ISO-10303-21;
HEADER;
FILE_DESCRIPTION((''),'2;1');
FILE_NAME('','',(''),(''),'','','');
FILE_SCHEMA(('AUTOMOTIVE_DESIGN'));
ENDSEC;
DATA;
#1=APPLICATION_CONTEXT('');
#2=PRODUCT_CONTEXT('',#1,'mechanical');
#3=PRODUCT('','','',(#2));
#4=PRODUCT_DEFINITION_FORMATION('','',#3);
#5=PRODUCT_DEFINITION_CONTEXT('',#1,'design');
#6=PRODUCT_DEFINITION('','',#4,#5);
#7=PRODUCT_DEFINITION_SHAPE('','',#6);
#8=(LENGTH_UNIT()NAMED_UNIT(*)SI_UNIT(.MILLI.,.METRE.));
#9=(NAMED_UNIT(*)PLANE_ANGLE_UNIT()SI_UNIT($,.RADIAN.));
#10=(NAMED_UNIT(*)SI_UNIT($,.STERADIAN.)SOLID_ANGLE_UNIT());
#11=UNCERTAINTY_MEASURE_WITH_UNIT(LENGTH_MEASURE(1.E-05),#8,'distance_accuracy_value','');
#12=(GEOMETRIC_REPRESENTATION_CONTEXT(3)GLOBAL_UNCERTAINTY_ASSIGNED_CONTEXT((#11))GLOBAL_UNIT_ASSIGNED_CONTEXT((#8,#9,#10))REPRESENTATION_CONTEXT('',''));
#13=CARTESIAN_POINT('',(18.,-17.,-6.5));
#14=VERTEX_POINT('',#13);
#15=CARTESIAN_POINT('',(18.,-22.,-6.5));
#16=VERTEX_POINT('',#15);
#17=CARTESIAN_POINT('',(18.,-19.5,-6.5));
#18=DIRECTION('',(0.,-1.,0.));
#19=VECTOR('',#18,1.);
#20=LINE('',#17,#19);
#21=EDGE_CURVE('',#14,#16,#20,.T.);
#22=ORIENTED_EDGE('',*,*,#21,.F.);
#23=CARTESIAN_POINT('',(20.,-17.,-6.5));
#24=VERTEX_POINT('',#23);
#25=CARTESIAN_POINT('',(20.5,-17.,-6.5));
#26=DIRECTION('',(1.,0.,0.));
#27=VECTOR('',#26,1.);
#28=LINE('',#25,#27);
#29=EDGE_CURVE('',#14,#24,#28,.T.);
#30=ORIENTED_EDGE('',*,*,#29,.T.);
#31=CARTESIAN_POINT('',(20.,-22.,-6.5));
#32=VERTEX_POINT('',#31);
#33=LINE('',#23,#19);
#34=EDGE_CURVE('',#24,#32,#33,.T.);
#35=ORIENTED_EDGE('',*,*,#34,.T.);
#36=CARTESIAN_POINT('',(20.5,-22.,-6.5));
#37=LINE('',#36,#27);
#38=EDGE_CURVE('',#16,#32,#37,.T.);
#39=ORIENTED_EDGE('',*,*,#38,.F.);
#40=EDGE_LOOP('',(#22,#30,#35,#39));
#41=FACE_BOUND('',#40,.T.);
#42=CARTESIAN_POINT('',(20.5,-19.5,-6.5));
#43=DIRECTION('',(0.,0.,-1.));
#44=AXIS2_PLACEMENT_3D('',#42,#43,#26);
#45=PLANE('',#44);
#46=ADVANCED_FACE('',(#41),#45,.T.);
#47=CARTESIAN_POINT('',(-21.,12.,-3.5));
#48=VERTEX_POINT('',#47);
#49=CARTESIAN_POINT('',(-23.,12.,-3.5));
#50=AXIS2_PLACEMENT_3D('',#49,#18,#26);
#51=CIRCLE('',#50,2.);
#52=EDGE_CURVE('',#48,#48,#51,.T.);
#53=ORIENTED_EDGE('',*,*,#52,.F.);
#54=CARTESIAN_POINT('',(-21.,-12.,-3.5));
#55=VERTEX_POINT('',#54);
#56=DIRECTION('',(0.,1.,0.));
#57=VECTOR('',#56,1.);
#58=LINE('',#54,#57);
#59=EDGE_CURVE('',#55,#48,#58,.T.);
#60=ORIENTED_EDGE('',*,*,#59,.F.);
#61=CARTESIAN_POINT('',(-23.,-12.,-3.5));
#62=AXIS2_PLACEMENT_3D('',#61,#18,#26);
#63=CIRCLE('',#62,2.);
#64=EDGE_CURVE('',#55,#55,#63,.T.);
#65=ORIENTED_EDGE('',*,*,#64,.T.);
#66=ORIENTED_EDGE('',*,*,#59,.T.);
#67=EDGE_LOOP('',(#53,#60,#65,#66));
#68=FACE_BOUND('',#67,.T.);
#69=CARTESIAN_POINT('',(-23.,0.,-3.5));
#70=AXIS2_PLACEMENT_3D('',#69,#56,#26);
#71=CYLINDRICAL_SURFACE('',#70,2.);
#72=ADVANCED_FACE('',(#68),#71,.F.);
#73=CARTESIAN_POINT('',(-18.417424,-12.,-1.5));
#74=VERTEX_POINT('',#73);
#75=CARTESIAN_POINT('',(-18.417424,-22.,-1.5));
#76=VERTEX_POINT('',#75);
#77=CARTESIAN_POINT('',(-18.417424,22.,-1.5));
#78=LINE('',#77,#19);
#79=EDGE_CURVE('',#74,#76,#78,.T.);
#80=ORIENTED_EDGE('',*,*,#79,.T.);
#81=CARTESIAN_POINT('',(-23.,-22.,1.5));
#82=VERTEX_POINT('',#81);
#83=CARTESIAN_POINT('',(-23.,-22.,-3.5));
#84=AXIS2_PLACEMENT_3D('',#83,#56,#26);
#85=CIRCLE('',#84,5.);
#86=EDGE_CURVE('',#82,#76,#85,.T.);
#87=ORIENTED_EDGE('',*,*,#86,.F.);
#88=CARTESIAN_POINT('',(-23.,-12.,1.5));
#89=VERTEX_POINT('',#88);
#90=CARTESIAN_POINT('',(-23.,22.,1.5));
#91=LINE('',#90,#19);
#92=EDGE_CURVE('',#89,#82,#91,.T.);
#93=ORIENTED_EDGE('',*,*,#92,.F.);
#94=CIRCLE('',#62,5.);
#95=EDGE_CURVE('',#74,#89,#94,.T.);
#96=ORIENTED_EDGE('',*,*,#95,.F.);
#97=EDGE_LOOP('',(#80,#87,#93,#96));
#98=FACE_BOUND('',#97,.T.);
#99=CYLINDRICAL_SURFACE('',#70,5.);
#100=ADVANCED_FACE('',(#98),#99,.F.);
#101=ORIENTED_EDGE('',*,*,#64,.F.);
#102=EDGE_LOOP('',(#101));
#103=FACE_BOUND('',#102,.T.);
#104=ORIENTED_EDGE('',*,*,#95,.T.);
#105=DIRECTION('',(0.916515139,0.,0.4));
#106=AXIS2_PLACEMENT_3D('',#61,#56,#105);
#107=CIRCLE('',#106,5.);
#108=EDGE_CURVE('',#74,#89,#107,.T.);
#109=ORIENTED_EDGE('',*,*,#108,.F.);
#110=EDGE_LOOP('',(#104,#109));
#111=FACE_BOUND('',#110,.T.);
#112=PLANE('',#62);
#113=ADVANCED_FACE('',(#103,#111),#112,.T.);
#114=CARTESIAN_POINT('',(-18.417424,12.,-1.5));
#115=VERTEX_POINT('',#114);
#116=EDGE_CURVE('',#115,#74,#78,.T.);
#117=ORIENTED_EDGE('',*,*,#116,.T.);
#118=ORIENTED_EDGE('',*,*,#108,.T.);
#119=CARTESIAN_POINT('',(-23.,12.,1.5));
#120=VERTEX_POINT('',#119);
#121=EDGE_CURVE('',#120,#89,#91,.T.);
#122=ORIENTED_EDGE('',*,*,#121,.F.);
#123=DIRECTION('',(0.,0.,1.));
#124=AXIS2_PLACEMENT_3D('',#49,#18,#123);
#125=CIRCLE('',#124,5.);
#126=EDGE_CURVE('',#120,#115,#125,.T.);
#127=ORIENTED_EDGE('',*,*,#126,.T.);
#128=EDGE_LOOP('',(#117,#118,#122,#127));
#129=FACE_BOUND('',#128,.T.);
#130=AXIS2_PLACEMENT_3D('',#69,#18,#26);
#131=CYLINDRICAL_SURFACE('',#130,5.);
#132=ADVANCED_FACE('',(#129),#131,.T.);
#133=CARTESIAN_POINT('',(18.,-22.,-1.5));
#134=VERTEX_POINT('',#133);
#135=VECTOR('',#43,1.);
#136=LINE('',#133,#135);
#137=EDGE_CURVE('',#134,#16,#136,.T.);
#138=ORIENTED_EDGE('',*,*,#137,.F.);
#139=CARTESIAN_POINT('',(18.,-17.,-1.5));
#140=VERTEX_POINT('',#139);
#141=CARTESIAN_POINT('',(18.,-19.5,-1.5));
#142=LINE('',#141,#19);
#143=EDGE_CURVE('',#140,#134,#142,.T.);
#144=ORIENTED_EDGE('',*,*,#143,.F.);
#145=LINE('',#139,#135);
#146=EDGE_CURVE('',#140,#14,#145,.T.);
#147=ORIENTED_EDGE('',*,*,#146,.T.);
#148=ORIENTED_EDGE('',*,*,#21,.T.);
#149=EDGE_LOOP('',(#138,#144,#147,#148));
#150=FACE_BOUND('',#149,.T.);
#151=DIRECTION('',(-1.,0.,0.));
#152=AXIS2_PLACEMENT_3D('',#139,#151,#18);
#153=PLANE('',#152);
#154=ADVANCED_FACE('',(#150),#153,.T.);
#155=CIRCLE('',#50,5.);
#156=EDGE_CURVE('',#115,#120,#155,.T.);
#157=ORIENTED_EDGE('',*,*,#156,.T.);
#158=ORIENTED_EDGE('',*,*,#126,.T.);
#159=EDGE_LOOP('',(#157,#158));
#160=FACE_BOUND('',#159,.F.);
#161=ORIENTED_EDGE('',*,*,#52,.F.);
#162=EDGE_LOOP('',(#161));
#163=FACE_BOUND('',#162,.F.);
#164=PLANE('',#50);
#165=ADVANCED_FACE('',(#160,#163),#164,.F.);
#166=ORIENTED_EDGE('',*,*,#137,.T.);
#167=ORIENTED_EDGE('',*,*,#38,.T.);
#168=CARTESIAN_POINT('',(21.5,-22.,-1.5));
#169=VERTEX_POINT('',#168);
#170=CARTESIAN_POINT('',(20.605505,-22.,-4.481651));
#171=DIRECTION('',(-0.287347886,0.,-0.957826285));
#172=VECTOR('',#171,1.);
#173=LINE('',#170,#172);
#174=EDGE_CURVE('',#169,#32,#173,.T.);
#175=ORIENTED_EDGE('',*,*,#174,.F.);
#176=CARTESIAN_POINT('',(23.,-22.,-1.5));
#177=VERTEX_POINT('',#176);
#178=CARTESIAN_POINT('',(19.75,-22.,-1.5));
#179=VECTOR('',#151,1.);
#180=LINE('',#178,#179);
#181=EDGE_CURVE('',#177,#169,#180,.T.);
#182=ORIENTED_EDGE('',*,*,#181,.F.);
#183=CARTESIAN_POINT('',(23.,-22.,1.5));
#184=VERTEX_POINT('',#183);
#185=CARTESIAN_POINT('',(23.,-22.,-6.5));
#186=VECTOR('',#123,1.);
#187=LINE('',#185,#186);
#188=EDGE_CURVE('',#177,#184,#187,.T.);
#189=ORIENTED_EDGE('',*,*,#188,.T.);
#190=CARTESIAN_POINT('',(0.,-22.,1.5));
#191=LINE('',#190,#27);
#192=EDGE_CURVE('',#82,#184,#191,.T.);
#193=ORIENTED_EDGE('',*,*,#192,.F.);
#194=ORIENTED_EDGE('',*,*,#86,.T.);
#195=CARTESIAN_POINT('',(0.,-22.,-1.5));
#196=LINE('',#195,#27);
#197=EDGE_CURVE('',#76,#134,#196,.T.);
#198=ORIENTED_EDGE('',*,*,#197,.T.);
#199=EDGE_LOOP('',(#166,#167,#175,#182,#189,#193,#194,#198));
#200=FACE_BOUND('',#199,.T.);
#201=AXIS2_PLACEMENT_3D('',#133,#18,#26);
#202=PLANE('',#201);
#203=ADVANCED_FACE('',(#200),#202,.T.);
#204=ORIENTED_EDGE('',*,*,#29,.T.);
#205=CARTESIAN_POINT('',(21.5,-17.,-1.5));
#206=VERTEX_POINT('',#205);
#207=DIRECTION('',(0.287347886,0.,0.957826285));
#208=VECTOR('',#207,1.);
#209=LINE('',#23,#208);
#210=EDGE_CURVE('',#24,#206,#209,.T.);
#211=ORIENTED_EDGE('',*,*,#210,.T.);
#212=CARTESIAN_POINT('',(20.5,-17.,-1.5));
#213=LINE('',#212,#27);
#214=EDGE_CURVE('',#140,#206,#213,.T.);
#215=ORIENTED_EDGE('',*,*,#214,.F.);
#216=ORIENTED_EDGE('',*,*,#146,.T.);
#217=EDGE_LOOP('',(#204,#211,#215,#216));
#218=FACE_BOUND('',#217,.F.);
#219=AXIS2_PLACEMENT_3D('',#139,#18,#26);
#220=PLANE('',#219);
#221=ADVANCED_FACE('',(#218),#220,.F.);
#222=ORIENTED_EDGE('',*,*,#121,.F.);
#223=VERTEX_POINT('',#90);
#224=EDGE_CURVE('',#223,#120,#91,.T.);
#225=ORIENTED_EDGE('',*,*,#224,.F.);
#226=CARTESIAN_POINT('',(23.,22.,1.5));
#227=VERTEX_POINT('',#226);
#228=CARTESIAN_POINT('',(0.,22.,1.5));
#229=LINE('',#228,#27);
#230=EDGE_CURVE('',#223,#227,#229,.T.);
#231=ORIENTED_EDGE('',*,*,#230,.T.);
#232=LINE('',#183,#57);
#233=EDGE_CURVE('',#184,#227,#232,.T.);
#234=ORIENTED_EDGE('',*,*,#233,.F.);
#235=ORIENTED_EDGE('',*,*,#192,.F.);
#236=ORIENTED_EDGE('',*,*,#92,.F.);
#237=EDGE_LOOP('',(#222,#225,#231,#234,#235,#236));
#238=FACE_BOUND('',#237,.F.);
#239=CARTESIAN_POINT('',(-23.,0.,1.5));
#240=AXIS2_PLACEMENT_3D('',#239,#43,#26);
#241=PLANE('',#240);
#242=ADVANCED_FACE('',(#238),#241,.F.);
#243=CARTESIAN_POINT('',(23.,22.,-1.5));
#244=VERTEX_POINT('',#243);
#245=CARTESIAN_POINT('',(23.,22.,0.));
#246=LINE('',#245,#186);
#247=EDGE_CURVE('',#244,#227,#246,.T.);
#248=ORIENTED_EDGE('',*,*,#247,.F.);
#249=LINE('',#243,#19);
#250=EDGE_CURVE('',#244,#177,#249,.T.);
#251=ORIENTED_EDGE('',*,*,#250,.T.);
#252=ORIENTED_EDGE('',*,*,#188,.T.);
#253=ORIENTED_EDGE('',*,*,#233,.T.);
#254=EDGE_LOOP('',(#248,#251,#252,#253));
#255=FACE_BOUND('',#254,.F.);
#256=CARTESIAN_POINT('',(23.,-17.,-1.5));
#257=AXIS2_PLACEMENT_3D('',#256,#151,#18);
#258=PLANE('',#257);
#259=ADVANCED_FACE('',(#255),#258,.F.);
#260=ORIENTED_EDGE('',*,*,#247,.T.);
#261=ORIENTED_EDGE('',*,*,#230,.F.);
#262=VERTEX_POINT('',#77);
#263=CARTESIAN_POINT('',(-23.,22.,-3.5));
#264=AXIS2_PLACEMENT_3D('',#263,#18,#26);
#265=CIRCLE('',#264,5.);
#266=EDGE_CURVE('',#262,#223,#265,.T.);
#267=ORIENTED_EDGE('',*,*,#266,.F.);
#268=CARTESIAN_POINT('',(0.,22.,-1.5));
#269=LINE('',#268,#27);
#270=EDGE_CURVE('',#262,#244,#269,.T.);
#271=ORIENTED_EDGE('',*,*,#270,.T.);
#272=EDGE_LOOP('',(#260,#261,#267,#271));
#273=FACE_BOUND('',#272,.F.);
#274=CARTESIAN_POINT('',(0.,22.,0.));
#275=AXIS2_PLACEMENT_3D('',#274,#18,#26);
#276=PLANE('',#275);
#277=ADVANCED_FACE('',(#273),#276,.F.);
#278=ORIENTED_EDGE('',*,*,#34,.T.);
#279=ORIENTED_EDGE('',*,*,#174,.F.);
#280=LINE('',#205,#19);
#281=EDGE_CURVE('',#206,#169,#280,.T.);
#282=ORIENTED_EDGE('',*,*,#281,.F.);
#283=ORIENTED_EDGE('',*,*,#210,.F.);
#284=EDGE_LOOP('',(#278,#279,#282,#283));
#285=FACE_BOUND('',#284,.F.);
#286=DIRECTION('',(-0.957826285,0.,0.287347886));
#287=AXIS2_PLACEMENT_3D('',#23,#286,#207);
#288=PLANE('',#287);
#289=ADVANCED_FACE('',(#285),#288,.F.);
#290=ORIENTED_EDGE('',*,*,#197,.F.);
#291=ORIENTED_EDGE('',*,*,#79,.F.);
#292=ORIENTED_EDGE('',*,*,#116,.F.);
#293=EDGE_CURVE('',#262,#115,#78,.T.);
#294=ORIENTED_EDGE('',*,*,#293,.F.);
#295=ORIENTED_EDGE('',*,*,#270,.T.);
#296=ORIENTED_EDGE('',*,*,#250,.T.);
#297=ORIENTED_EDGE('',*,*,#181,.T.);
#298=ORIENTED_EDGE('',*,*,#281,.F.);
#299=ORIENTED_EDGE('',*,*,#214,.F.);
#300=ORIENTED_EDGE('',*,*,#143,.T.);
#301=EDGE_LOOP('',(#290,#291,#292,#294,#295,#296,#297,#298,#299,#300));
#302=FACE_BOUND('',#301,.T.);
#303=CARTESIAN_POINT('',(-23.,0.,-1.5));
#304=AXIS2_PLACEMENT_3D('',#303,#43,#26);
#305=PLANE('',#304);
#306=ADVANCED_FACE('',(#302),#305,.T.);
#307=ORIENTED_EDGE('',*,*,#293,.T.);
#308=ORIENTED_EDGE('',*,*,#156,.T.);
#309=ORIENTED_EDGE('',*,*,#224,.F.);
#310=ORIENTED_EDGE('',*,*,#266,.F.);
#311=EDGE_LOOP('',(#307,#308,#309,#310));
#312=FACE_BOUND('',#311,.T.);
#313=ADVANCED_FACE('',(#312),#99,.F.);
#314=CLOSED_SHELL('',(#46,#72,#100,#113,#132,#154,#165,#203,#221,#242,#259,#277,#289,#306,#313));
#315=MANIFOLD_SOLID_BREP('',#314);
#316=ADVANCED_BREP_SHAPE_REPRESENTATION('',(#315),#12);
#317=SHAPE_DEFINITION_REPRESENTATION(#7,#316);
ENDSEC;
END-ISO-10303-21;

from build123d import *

# Parameters (mm, degrees)
F0_W          = 46
F0_H          = 3
F1_DEPTH      = 22
F2_R          = 5
F2_R_2        = 2
F3_DEPTH      = 22.001
F3_DEPTH_BACK = 22.001
F4_DEPTH      = 12
F5_W          = 5
F5_H          = 5
F6_DEPTH      = 5
F8_DEPTH      = 5.001


with BuildPart() as f1:
    # F0 (on Front) → F1 (new body, symmetric)
    with BuildSketch(Plane.XZ):
        Rectangle(F0_W, F0_H)
    extrude(amount=F1_DEPTH, both=True)

    # F2 (on Front) → F3 (cut, two sides)
    with BuildSketch(Plane.XZ) as f3_sk:
        with Locations((-23, -3.5)):
            Circle(F2_R)
        with Locations((-23, -3.5)):
            Circle(F2_R_2, mode=Mode.SUBTRACT)
    extrude(amount=F3_DEPTH, mode=Mode.SUBTRACT)
    extrude(f3_sk.sketch, amount=-F3_DEPTH_BACK, mode=Mode.SUBTRACT)

    # F2 (on Front) → F4 (join, symmetric)
    with BuildSketch(Plane.XZ):
        with Locations((-23, -3.5)):
            Circle(F2_R)
        with Locations((-23, -3.5)):
            Circle(F2_R_2, mode=Mode.SUBTRACT)
    extrude(amount=F4_DEPTH, both=True)

    # F5 (on face) → F6 (join)
    with BuildSketch(Plane(origin=(0, 0, -1.5), x_dir=(1, 0, 0), z_dir=(0, 0, -1))):
        with Locations((20.5, 19.5)):
            Rectangle(F5_W, F5_H)
    extrude(amount=F6_DEPTH)

    # F7 (on face) → F8 (cut, through all)
    with BuildSketch(Plane(origin=(0, -17, 0), x_dir=(-1, 0, 0), z_dir=(0, 1, 0))):
        Polygon((-23, -1.5), (-23, -6.5), (-20, -6.5), (-21.5, -1.5), align=None)
    extrude(amount=-F8_DEPTH, mode=Mode.SUBTRACT)


solid = f1.part
